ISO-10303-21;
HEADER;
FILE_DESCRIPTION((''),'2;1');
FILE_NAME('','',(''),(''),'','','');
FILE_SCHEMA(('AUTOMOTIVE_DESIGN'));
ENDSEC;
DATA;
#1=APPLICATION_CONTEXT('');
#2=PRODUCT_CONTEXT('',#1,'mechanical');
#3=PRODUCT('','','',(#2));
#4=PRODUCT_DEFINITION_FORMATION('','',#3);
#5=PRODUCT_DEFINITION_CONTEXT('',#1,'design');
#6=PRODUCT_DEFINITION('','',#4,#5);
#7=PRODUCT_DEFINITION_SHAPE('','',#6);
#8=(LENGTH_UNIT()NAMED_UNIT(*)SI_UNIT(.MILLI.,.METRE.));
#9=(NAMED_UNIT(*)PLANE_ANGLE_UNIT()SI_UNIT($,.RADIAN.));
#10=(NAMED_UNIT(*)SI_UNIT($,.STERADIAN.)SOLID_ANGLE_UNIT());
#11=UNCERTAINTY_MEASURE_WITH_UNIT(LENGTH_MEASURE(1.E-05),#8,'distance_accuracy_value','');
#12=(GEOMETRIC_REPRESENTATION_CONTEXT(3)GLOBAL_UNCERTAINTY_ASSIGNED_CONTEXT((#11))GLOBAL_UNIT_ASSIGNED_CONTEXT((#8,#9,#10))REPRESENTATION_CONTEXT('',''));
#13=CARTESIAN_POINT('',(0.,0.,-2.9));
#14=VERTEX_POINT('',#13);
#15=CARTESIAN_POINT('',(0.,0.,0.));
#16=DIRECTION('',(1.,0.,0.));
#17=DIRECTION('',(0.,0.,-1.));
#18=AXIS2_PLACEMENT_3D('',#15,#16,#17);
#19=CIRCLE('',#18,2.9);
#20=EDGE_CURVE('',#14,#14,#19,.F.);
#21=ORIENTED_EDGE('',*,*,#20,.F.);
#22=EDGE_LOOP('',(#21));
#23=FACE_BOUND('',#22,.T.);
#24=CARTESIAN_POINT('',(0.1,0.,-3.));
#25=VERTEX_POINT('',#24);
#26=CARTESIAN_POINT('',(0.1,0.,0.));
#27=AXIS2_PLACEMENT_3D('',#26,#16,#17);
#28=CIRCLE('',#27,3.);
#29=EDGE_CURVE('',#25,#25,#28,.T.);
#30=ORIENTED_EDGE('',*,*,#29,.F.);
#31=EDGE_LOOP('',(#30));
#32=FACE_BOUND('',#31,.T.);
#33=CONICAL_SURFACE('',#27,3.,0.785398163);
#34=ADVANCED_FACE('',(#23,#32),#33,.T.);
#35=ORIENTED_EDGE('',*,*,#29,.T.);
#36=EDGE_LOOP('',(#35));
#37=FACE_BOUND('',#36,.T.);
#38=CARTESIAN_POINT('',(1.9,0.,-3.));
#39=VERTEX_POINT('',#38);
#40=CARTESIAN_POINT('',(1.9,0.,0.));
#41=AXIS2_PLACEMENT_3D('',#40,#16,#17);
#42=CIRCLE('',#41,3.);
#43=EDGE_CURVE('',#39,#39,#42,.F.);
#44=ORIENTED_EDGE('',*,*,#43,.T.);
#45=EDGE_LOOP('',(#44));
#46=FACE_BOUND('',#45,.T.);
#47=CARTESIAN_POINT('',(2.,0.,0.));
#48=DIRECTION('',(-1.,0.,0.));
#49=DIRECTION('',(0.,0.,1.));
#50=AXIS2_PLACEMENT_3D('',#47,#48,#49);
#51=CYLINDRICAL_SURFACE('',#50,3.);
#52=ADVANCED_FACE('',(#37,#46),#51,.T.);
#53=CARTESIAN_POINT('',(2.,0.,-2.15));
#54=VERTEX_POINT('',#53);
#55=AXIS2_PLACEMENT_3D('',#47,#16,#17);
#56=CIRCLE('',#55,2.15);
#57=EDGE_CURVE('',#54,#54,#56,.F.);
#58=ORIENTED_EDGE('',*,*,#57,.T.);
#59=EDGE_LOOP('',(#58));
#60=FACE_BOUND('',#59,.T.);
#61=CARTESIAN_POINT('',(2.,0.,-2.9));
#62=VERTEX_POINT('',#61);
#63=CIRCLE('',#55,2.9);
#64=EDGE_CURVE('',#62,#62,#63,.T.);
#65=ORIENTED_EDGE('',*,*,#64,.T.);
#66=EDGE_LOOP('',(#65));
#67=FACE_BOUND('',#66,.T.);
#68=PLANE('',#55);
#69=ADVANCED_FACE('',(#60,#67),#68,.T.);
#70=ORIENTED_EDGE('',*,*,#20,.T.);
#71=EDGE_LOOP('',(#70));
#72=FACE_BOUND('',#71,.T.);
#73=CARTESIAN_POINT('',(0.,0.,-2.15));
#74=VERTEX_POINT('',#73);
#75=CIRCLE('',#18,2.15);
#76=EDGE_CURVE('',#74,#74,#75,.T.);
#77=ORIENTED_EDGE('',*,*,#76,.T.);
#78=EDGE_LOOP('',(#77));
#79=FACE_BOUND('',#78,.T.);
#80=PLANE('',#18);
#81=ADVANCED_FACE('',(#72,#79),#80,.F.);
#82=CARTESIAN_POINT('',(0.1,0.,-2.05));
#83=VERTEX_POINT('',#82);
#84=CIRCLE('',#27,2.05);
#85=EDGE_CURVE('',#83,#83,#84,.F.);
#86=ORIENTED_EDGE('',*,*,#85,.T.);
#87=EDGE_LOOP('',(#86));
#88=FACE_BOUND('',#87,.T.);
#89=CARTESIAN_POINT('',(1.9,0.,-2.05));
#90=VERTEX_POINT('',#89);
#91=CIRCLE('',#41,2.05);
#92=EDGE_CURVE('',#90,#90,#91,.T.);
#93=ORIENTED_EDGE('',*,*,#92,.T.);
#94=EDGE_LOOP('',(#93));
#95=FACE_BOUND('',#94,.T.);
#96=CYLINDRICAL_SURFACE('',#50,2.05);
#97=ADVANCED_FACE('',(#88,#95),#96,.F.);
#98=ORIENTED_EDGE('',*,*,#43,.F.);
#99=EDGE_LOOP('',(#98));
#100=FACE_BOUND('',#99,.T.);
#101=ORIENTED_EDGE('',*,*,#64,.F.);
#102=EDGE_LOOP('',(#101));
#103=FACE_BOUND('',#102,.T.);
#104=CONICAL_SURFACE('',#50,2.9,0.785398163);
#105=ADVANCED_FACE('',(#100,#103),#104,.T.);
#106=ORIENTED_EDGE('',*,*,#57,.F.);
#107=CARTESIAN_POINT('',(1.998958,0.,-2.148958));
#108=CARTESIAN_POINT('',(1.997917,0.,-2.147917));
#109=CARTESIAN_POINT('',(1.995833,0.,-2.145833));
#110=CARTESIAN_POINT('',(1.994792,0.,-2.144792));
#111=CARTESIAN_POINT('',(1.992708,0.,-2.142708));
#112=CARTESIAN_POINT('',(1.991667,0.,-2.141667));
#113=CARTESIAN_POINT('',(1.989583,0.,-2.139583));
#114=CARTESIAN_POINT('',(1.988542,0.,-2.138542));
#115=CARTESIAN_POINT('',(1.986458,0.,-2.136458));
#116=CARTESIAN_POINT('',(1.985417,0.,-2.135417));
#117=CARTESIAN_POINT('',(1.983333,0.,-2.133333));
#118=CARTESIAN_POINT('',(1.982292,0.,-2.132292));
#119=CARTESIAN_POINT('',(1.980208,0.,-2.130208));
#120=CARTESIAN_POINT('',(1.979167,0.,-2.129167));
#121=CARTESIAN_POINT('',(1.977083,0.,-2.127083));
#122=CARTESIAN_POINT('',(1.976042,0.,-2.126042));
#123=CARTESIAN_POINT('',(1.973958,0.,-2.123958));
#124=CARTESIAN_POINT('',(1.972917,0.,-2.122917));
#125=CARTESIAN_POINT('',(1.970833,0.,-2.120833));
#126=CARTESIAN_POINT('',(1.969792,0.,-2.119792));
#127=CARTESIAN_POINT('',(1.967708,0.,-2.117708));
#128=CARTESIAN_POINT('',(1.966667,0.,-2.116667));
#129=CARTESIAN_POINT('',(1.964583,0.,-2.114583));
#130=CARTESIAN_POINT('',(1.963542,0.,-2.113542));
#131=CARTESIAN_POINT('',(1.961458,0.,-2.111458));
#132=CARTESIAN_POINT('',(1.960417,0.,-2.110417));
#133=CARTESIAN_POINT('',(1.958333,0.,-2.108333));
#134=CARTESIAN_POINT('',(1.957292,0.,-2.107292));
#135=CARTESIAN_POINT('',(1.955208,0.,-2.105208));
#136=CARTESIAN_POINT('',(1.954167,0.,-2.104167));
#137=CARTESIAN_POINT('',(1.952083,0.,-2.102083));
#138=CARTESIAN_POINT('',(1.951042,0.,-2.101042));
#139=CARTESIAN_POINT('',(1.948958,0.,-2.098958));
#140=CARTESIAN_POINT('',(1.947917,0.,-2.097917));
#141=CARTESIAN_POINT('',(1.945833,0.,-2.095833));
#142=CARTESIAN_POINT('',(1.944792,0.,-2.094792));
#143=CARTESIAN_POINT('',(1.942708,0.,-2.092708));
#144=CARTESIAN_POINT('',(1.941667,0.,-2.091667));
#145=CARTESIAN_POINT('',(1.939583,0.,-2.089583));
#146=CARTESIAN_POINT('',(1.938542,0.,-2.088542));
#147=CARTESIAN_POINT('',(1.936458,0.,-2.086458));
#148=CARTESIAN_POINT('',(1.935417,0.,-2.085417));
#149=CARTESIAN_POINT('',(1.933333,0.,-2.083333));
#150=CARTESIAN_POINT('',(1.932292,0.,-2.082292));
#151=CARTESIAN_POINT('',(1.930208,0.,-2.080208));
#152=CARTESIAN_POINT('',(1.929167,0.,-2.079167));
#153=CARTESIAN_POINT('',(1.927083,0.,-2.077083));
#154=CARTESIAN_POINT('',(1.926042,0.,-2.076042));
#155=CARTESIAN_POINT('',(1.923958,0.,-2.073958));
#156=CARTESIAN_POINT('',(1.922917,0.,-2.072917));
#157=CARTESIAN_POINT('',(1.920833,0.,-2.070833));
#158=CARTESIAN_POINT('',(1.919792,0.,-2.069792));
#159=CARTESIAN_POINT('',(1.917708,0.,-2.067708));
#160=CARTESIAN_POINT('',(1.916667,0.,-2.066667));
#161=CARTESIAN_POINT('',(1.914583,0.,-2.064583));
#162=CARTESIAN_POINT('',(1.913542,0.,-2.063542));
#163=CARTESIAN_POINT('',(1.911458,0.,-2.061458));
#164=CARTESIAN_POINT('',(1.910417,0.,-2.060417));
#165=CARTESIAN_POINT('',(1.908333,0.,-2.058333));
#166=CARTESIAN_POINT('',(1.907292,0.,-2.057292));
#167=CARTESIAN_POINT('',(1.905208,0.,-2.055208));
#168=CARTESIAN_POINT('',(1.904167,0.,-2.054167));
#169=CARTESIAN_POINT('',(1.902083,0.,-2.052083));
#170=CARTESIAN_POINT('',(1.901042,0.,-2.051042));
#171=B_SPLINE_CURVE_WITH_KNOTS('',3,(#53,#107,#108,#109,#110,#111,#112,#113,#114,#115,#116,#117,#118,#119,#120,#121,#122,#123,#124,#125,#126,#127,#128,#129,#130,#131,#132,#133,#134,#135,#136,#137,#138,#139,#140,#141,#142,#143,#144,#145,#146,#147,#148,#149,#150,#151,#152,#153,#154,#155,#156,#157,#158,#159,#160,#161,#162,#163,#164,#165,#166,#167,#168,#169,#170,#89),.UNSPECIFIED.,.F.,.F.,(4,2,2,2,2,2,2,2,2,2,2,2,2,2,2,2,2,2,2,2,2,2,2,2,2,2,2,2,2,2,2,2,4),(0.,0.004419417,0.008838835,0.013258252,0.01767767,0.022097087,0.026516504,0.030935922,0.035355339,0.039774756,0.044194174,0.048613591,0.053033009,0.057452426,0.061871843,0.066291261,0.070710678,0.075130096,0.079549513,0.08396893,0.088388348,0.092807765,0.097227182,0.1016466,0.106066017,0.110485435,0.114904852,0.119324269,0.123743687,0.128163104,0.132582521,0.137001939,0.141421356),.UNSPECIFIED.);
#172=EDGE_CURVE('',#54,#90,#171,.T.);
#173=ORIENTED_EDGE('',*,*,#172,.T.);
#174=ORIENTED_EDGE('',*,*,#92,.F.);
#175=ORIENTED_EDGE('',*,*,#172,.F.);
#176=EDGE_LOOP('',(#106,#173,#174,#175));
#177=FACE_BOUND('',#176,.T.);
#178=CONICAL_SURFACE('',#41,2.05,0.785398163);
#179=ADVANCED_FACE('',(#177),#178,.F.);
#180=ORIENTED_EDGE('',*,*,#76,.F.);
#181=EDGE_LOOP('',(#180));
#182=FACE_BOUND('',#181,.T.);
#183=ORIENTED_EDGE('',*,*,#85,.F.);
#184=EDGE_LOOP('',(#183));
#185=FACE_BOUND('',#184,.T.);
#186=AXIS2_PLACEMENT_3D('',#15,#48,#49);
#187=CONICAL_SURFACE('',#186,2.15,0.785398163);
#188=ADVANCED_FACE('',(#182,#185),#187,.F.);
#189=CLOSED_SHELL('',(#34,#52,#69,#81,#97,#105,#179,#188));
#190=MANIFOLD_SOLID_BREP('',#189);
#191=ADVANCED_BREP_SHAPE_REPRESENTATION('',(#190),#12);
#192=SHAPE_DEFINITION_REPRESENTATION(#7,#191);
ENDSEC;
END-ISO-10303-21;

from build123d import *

# Parameters (mm, degrees)
SKETCH_1_R      = 3
SKETCH_1_R_2    = 2.05
EXTRUDE_1_DEPTH = 2
CHAMFER_1_SIZE  = 0.1


with BuildPart() as part:
    # 草图1 → 凸台-拉伸1 (new body)
    with BuildSketch(Plane.YZ):
        with Locations(Location((0, 0, 0), (0, 0, 270))):
            Circle(SKETCH_1_R)
        with Locations(Location((0, 0, 0), (0, 0, 270))):
            Circle(SKETCH_1_R_2, mode=Mode.SUBTRACT)
    extrude(amount=EXTRUDE_1_DEPTH)

    # 倒角1
    chamfer_1_edges = [part.edges().sort_by_distance(p)[0] for p in [
        (0, 0, 3),
        (2, 0, 3),
        (0, 0, 2.05),
        (2, 0, 2.05),
    ]]
    chamfer(chamfer_1_edges, length=CHAMFER_1_SIZE)


solid = part.part
